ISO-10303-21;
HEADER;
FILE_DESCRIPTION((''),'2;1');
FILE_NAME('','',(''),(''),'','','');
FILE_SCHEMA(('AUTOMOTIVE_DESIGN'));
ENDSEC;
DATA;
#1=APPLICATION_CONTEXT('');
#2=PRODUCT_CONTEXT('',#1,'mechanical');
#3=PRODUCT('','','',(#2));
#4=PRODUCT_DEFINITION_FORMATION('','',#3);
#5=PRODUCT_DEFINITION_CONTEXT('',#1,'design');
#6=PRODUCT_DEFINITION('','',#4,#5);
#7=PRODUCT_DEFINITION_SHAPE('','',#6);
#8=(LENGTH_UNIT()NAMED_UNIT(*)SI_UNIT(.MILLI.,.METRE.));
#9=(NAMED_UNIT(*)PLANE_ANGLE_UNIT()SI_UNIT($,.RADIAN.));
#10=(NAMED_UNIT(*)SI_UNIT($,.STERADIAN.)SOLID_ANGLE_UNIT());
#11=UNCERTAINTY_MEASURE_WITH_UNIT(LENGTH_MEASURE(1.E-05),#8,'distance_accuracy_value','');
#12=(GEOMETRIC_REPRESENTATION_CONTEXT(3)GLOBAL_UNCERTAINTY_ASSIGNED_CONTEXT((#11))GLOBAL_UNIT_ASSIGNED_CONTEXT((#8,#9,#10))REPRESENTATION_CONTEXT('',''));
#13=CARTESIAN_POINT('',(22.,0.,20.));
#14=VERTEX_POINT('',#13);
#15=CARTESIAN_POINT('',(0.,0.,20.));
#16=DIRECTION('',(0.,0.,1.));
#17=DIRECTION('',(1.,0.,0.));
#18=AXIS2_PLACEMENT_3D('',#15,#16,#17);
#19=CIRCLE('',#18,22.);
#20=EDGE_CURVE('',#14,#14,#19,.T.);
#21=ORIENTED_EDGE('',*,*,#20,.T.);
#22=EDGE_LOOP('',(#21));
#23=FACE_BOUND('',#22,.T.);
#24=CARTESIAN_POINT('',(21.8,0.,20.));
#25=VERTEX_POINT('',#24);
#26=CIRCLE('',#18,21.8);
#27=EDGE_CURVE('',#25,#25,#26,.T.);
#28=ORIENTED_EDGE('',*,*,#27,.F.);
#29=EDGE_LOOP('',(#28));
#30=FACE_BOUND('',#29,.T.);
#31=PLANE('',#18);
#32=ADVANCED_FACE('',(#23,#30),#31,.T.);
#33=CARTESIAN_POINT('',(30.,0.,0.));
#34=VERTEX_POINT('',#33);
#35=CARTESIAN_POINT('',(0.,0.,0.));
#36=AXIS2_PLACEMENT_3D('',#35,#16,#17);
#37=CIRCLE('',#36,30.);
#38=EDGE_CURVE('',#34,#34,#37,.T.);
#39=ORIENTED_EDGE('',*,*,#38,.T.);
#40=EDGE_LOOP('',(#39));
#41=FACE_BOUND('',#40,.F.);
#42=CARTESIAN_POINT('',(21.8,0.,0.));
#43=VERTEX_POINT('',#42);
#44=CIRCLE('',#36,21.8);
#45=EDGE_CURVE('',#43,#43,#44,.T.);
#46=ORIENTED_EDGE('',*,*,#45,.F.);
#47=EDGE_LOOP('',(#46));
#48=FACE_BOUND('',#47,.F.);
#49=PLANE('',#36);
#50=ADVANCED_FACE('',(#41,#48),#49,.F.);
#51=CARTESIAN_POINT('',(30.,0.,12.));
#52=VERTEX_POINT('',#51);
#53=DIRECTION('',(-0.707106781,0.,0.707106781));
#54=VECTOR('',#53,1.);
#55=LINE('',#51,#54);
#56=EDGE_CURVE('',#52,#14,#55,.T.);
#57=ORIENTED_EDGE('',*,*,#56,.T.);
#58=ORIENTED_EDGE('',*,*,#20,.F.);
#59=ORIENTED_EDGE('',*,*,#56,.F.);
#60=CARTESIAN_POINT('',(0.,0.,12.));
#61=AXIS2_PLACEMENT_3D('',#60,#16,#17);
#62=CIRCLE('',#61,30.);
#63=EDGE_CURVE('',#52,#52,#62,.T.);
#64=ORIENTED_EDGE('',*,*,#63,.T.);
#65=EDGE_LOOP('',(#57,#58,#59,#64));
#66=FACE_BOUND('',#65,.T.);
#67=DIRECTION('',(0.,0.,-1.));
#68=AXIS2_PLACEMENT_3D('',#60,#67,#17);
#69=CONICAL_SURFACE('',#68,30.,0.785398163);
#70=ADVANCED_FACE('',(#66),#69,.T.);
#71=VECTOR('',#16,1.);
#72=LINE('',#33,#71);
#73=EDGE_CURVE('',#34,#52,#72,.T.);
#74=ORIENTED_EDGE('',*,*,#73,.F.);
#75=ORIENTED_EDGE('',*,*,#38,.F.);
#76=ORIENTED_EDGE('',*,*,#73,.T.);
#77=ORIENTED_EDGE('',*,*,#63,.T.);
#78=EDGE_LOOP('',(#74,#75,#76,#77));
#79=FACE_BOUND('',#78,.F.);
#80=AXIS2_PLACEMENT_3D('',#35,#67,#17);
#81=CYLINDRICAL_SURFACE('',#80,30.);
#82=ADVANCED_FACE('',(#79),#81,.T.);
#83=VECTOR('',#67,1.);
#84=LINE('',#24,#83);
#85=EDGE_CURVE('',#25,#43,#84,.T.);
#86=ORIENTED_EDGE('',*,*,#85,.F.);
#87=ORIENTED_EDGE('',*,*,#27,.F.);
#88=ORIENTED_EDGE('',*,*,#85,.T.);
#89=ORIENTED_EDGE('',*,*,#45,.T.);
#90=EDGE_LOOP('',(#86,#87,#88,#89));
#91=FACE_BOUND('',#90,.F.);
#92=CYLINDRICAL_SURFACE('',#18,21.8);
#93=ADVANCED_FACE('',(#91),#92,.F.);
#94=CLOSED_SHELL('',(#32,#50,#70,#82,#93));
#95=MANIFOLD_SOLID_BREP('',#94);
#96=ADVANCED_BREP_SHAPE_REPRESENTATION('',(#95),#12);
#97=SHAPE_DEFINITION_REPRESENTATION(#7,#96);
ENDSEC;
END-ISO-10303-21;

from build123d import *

# Parameters (mm, degrees)
SKETCH_R     = 30
PAD_DEPTH    = 20
SKETCH001_R  = 21.8
POCKET_DEPTH = 25
CHAMFER_SIZE = 8


with BuildPart() as part:
    # Sketch → Pad (new body)
    with BuildSketch(Plane.XY):
        Circle(SKETCH_R)
    extrude(amount=PAD_DEPTH)

    # Sketch001 (on Face3 of Pad) → Pocket (cut)
    with BuildSketch(Plane.XY.offset(20)):
        Circle(SKETCH001_R)
    extrude(amount=-POCKET_DEPTH, mode=Mode.SUBTRACT)

    # Chamfer
    chamfer_edges = [part.edges().sort_by_distance(p)[0] for p in [
        (-30, 0, 20),
    ]]
    chamfer(chamfer_edges, length=CHAMFER_SIZE)


solid = part.part
